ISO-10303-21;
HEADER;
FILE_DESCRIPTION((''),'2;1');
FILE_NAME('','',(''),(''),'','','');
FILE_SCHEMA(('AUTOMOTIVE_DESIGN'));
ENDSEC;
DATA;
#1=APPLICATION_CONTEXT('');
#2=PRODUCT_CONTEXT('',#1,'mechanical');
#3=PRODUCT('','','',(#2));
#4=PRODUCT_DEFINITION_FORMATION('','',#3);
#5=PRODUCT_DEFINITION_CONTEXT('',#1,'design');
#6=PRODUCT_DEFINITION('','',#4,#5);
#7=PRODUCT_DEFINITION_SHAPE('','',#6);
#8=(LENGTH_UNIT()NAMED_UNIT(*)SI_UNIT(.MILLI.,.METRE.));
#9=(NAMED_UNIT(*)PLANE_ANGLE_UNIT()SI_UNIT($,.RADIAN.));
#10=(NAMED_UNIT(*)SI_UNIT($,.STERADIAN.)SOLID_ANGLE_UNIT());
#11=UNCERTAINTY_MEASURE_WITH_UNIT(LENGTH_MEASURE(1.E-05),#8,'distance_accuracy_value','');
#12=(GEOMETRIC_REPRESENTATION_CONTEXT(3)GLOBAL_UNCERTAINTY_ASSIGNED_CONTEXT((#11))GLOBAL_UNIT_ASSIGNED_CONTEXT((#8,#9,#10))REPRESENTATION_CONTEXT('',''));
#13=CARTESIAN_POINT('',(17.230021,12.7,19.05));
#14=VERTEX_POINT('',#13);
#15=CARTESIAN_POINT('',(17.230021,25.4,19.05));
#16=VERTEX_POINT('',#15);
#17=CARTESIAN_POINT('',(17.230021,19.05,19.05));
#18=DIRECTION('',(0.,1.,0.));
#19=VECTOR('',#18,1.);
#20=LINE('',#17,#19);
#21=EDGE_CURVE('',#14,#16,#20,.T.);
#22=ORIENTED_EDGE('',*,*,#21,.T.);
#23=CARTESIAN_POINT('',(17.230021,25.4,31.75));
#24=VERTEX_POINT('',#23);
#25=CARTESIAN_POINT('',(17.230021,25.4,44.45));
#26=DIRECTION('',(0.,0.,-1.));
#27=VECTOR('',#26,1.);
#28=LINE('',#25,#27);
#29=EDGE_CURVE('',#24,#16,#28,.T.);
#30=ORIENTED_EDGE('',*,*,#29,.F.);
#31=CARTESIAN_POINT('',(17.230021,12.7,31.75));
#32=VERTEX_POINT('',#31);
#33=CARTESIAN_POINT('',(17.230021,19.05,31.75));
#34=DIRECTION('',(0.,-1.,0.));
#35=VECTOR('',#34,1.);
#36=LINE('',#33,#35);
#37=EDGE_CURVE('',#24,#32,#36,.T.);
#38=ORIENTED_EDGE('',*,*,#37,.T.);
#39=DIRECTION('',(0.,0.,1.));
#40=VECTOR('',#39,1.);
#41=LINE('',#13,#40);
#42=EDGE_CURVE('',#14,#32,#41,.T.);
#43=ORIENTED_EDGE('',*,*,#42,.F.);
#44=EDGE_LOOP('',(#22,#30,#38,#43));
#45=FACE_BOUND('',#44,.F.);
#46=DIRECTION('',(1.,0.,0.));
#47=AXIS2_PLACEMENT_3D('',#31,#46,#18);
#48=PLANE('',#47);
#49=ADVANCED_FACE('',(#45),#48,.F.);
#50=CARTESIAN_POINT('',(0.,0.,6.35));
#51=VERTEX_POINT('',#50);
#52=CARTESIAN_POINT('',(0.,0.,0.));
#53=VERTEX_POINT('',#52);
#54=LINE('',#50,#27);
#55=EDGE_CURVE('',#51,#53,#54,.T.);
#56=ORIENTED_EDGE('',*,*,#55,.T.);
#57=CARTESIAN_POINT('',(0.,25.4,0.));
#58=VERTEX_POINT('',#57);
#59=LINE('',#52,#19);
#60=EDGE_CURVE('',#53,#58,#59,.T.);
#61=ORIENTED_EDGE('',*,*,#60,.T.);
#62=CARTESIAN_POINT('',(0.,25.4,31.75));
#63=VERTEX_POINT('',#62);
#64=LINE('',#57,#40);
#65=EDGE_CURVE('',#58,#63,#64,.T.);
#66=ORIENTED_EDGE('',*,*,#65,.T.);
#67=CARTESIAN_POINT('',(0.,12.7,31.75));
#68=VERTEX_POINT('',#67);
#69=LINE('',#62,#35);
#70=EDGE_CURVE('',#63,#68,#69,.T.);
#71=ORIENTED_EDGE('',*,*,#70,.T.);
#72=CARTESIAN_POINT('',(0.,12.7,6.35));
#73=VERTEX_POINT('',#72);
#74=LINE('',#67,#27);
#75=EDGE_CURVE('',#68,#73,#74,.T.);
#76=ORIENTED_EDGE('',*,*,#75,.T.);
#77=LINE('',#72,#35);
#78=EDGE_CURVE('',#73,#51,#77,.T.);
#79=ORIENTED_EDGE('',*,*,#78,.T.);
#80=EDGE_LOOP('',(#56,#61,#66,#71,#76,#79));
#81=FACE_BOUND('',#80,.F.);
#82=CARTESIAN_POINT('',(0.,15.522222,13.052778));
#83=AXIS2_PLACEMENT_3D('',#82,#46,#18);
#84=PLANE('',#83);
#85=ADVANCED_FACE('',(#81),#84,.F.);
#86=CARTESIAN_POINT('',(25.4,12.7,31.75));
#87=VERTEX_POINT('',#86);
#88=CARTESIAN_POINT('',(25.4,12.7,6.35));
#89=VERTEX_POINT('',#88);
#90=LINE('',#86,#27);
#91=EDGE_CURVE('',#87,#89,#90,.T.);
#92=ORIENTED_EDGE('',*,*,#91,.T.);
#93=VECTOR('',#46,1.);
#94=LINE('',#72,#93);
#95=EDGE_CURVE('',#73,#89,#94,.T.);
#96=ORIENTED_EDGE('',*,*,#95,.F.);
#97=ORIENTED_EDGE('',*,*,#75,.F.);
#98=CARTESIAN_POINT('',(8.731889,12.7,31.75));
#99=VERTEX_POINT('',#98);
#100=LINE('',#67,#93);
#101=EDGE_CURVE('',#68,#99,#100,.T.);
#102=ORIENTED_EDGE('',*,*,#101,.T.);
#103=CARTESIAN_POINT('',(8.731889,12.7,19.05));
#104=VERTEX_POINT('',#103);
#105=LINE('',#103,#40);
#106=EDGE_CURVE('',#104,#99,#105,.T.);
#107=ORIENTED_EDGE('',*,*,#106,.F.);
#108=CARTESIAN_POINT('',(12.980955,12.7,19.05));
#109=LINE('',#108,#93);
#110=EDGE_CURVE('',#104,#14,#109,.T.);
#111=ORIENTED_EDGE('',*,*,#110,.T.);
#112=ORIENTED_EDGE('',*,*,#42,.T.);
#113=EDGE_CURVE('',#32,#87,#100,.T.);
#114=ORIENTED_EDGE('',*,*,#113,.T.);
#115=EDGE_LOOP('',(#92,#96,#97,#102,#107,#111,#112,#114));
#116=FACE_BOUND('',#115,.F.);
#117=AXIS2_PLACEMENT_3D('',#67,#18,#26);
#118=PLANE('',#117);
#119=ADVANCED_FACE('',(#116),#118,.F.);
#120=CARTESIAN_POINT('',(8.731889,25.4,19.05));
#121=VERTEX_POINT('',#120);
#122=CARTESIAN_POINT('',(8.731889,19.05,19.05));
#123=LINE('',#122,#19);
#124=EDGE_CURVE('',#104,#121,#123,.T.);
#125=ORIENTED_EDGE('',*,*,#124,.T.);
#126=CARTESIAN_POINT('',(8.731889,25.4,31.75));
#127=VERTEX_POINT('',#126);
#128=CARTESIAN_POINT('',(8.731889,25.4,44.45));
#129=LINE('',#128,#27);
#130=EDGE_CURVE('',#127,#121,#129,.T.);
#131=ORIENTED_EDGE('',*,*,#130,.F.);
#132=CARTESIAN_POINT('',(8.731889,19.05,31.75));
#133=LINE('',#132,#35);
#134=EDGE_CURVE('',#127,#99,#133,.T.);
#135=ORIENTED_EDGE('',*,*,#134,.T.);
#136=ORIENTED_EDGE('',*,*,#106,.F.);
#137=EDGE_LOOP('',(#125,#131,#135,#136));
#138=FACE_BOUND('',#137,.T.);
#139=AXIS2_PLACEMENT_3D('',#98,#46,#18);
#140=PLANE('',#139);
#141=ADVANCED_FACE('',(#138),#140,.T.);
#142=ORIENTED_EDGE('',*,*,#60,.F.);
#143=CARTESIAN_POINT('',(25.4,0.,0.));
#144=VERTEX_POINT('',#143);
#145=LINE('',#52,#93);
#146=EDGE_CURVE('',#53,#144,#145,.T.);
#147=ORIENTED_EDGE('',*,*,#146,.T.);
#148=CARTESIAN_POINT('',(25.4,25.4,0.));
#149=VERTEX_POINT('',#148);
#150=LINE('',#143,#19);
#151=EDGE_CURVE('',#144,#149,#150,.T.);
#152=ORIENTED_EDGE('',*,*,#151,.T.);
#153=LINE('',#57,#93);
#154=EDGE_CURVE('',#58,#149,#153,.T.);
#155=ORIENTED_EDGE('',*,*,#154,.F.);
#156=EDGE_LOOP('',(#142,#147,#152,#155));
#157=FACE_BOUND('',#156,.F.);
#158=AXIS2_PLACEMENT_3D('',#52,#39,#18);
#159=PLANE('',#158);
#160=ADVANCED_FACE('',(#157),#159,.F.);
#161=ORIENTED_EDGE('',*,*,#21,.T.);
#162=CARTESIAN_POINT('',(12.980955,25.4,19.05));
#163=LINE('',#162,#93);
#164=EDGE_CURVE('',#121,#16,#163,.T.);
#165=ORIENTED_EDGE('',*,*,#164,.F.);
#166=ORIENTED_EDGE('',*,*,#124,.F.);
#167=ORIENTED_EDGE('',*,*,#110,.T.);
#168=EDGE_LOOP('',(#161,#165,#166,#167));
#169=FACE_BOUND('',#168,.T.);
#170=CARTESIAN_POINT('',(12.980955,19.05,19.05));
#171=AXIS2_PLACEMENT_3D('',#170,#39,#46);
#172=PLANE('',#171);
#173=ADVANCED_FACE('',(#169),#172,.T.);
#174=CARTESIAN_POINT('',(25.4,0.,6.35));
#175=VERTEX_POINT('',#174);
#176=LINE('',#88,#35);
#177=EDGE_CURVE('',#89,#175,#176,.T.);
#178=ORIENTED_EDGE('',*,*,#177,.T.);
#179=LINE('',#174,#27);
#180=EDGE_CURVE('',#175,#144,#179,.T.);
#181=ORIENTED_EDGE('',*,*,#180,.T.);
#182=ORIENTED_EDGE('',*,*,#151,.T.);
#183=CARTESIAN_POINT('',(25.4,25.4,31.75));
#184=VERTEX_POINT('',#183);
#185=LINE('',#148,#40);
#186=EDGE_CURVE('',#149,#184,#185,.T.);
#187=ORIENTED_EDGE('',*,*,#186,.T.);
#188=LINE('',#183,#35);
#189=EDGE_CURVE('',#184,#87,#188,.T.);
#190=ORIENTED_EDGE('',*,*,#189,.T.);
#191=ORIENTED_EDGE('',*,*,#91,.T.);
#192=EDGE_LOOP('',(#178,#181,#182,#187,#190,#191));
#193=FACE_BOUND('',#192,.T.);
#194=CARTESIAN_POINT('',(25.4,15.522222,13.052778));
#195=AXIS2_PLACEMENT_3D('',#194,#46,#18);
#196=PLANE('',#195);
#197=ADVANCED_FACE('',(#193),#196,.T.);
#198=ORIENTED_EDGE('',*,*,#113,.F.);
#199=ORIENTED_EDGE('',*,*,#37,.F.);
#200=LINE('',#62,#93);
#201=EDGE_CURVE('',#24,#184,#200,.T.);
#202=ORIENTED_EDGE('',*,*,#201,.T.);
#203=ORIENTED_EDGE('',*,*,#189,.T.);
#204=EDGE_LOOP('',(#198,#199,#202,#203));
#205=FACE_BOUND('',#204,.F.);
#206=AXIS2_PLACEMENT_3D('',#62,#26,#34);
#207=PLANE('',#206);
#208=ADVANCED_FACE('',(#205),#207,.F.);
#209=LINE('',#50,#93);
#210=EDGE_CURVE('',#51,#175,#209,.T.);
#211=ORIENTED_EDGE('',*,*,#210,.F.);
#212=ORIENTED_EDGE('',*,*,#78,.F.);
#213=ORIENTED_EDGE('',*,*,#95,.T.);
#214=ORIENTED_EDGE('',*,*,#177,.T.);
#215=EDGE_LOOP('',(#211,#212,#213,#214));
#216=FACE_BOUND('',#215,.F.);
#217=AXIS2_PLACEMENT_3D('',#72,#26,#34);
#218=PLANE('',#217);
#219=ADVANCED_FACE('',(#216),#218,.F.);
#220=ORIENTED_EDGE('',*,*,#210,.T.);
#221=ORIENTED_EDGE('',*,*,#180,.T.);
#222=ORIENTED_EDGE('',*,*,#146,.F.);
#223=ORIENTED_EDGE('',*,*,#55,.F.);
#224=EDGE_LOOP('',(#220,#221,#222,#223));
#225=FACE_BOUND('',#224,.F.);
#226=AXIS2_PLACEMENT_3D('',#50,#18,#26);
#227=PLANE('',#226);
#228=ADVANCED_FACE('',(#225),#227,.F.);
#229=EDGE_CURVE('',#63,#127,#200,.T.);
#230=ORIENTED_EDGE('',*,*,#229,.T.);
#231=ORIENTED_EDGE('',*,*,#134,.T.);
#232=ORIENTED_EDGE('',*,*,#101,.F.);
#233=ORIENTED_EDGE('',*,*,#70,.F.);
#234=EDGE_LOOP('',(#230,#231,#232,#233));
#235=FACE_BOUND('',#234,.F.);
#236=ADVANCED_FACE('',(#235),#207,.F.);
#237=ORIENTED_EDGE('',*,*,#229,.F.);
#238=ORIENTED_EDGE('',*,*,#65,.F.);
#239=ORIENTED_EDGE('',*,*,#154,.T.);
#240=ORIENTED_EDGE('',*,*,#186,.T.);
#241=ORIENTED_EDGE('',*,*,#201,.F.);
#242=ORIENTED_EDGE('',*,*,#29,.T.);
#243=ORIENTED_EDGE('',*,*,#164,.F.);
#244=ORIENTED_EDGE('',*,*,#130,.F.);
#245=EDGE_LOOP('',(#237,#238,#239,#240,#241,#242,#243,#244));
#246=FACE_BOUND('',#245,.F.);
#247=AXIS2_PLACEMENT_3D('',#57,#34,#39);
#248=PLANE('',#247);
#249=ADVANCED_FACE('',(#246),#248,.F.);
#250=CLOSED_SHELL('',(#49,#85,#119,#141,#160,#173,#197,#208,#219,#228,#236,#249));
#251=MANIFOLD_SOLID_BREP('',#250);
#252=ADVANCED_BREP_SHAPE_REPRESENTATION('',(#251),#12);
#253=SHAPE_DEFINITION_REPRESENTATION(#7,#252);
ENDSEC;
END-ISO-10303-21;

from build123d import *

# Parameters (mm, degrees)
F1_DEPTH = 25.4
F2_W     = 8.498132
F2_H     = 12.7
F3_DEPTH = 12.7


with BuildPart() as f1:
    # F0 (on Right) → F1 (new body)
    with BuildSketch(Plane.YZ):
        Polygon((0, 0), (25.4, 0), (25.4, 31.75), (12.7, 31.75), (12.7, 6.35), (0, 6.35), align=None)
    extrude(amount=F1_DEPTH)

    # F2 (on face) → F3 (cut, symmetric)
    with BuildSketch(Plane.XY.offset(31.75)):
        with Locations((12.980955, 19.05)):
            Rectangle(F2_W, F2_H)
    extrude(amount=F3_DEPTH, both=True, mode=Mode.SUBTRACT)


solid = f1.part
